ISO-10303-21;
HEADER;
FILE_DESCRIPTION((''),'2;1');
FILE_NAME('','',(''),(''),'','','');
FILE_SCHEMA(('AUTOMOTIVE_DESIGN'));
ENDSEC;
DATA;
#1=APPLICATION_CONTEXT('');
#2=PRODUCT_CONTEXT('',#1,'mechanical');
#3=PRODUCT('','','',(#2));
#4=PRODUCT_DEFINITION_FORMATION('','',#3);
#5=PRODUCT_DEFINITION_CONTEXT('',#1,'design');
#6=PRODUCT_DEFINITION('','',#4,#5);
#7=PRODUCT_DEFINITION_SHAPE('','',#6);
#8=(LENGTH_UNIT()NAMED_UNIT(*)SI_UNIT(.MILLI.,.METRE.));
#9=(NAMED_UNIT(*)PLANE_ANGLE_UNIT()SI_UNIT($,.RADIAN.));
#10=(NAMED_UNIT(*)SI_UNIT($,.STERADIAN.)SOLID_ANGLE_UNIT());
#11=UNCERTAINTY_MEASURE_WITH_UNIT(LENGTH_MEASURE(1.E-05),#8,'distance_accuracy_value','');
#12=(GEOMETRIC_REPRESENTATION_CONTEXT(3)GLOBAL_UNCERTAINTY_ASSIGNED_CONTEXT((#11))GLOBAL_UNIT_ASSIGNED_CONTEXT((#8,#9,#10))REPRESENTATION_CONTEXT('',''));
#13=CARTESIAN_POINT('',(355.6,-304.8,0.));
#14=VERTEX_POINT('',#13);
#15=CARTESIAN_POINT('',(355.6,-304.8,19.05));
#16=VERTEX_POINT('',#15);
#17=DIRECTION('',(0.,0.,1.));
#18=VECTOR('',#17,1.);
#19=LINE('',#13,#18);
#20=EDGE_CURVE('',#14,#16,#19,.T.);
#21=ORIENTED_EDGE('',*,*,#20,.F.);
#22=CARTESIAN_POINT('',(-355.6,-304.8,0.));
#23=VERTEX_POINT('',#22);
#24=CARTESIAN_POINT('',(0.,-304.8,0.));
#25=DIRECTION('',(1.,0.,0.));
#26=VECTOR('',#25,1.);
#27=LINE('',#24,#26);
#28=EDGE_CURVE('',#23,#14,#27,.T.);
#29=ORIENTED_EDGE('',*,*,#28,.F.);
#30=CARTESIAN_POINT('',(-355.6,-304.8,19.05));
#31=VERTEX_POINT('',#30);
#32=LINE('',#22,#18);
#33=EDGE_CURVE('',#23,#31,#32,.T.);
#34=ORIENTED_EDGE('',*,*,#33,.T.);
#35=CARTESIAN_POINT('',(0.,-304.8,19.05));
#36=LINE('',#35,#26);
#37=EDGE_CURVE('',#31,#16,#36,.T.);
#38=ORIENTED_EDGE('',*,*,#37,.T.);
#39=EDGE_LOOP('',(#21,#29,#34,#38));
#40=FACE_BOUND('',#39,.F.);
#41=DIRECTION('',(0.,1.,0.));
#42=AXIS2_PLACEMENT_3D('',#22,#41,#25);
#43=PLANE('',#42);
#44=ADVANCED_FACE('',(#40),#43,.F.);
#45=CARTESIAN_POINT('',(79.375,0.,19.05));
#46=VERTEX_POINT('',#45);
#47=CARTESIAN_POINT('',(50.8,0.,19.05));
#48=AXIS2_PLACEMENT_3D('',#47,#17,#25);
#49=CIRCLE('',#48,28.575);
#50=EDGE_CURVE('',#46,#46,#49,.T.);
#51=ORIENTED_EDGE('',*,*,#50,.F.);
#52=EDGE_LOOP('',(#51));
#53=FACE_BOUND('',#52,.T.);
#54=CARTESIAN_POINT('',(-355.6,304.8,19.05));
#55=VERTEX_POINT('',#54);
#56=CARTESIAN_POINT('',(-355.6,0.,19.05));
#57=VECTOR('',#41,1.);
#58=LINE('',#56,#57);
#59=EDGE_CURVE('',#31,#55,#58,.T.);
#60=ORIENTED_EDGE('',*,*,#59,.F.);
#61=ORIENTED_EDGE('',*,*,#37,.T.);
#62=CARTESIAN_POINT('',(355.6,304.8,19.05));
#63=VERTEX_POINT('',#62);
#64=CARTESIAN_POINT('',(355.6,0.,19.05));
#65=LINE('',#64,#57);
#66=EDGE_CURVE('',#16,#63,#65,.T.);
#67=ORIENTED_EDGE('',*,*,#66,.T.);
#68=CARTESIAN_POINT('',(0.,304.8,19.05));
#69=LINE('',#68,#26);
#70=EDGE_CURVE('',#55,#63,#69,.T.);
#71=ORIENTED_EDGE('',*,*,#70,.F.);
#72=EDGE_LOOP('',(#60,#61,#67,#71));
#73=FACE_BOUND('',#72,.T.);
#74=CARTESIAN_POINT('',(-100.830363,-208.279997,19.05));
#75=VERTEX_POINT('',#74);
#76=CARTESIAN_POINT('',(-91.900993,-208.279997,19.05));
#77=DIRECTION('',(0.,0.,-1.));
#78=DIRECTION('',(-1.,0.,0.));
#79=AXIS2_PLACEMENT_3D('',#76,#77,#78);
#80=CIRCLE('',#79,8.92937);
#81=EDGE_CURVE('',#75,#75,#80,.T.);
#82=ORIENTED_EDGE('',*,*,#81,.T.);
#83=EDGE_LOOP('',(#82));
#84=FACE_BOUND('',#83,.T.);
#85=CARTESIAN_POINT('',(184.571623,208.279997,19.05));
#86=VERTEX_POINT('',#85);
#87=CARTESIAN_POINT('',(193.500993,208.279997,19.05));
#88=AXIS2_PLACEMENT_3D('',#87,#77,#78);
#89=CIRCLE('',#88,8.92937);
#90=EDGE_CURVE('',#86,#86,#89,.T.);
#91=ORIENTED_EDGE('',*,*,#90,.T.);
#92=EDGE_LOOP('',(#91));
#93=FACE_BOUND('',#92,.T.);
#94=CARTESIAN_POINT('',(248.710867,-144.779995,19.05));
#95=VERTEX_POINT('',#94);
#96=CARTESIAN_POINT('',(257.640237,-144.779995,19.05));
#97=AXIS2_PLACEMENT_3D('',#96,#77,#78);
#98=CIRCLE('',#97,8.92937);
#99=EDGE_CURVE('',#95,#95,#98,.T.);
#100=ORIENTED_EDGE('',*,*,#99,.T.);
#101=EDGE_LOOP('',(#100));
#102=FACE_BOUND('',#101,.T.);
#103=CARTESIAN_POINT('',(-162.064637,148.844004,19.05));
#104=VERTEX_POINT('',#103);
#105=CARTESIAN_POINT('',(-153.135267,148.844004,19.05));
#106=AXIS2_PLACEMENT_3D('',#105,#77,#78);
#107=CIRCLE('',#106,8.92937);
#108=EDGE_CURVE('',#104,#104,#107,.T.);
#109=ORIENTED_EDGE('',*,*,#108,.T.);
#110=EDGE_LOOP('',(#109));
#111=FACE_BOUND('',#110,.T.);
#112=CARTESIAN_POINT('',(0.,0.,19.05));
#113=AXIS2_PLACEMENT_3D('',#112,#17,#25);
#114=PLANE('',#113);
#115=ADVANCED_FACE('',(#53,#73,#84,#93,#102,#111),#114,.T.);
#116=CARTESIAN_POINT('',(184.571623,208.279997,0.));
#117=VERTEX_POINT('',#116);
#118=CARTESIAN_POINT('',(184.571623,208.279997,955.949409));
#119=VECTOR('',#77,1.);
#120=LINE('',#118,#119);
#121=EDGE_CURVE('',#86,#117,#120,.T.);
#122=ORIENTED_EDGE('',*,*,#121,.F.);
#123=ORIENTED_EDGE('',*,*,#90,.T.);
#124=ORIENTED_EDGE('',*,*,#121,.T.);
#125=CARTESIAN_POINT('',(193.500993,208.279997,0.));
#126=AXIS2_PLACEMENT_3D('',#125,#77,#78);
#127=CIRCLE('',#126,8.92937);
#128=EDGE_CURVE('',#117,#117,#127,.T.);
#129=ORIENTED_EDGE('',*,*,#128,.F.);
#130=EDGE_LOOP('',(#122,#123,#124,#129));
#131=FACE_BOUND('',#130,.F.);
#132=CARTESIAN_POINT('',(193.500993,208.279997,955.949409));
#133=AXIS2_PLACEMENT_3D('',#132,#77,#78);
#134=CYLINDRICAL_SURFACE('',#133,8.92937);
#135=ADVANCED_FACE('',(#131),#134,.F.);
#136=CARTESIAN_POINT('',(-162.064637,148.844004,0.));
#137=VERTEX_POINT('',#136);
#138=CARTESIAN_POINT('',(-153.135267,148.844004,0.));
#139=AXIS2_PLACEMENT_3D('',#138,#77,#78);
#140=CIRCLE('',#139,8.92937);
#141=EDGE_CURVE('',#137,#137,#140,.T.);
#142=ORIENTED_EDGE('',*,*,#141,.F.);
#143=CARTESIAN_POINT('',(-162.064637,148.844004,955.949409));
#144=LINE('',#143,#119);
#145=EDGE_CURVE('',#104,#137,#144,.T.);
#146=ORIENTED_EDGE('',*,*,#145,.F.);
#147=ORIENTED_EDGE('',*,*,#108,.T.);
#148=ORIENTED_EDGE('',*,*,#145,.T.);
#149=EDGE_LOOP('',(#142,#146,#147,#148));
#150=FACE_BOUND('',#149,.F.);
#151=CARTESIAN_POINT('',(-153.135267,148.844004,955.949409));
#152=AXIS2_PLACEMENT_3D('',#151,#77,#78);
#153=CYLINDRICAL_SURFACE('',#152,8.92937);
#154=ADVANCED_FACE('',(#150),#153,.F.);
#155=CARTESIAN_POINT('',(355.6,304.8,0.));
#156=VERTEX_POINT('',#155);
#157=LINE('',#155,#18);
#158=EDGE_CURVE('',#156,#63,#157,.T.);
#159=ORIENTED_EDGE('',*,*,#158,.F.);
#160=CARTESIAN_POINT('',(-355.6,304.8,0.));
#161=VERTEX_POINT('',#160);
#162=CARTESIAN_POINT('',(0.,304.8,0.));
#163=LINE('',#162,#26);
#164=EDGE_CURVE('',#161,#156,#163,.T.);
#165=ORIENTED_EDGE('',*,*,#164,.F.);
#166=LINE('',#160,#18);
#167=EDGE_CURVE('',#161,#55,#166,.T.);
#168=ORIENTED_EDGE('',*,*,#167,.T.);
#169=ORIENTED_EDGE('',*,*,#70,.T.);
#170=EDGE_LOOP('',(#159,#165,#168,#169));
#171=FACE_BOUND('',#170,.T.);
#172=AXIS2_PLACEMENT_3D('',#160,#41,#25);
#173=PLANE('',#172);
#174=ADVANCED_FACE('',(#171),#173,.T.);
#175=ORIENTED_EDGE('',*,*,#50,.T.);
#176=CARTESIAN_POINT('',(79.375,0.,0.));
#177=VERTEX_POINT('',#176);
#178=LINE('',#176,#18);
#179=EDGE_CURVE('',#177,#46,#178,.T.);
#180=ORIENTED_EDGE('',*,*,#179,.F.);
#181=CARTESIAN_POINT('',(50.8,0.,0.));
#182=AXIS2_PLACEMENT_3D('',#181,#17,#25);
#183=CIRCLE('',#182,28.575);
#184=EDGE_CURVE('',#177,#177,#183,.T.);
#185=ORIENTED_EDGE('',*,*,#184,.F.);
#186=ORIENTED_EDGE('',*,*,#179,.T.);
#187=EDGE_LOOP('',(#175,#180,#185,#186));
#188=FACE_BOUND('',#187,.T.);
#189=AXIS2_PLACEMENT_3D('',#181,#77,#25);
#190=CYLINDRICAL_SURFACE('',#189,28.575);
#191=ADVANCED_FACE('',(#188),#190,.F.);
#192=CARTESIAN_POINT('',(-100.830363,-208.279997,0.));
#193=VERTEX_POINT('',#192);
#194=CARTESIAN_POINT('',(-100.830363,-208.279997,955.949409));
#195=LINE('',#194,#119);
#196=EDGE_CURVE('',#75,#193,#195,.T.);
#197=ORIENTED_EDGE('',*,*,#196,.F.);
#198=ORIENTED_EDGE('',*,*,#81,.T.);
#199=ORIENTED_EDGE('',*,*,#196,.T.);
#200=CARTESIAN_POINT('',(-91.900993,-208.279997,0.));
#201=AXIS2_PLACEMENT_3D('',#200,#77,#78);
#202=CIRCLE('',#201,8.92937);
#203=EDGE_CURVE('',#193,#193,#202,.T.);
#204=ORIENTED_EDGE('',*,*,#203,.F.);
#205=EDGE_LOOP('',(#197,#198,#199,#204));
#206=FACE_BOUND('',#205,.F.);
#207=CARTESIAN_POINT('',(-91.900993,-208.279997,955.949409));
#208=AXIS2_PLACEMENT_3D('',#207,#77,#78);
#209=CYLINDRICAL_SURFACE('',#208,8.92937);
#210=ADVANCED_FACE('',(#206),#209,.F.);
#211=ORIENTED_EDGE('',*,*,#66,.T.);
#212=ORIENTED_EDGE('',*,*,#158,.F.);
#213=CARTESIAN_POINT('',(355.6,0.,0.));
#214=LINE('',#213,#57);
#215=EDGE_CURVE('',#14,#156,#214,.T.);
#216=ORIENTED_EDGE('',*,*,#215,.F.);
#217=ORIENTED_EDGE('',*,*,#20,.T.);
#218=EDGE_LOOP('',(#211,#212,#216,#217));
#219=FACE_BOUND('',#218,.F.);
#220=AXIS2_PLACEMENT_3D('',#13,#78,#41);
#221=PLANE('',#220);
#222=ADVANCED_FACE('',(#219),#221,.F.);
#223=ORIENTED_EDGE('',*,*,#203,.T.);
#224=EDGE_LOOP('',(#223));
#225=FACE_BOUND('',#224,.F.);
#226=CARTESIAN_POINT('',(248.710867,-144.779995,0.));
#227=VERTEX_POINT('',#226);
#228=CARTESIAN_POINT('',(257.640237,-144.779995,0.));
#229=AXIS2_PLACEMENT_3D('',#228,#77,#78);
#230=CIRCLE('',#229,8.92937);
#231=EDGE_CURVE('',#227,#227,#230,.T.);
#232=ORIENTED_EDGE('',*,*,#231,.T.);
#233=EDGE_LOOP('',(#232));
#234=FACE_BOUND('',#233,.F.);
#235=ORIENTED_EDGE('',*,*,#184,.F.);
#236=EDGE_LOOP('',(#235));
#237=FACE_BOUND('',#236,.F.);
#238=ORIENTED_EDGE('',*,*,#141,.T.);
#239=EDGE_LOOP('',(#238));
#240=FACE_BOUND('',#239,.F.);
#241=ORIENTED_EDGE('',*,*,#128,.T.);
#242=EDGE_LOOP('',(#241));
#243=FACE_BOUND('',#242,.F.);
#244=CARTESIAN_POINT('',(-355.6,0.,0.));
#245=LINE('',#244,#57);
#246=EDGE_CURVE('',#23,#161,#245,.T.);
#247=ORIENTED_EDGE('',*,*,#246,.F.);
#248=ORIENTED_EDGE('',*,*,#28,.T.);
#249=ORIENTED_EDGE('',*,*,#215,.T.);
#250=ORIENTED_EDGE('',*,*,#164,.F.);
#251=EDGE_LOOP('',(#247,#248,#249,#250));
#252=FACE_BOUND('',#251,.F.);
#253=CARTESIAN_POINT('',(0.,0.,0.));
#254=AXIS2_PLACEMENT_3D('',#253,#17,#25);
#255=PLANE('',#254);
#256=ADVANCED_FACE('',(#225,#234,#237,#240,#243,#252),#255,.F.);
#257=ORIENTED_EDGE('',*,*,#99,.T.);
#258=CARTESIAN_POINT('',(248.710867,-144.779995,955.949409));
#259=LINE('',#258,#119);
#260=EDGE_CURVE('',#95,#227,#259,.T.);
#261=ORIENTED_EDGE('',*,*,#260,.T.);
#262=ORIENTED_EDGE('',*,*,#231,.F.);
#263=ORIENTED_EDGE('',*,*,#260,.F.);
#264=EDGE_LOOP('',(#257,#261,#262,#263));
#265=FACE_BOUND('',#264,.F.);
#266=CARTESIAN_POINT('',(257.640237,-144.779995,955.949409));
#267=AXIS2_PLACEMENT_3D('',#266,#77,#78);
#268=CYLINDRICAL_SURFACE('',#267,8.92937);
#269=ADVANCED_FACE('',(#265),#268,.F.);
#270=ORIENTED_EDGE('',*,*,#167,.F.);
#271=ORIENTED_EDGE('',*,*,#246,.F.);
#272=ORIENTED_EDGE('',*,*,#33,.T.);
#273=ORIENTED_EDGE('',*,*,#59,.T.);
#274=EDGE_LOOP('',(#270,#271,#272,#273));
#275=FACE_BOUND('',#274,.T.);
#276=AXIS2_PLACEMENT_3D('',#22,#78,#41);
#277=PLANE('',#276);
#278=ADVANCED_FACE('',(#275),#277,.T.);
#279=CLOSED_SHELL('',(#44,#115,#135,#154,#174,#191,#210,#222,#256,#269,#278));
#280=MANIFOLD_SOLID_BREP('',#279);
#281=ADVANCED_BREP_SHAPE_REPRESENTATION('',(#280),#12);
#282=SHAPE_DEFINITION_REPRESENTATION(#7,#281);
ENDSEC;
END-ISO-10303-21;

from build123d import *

# Parameters (mm, degrees)
F0_W     = 711.2
F0_H     = 609.6
F0_R     = 28.575
F1_DEPTH = 19.05
F3_D     = 17.85874


with BuildPart() as f1:
    # F0 (on Top) → F1 (new body)
    with BuildSketch(Plane.XY):
        Rectangle(F0_W, F0_H)
        with Locations((50.8, 0)):
            Circle(F0_R, mode=Mode.SUBTRACT)
    extrude(amount=F1_DEPTH)

    # F3 (through all)
    with Locations(Plane.XY.offset(19.05)):
        with Locations((-153.1352670464, 148.8440036774), (-91.9009929177, -208.2799971104), (257.6402368968, -144.7799950838), (193.5009929177, 208.2799971104)):
            Hole(F3_D / 2)


solid = f1.part
